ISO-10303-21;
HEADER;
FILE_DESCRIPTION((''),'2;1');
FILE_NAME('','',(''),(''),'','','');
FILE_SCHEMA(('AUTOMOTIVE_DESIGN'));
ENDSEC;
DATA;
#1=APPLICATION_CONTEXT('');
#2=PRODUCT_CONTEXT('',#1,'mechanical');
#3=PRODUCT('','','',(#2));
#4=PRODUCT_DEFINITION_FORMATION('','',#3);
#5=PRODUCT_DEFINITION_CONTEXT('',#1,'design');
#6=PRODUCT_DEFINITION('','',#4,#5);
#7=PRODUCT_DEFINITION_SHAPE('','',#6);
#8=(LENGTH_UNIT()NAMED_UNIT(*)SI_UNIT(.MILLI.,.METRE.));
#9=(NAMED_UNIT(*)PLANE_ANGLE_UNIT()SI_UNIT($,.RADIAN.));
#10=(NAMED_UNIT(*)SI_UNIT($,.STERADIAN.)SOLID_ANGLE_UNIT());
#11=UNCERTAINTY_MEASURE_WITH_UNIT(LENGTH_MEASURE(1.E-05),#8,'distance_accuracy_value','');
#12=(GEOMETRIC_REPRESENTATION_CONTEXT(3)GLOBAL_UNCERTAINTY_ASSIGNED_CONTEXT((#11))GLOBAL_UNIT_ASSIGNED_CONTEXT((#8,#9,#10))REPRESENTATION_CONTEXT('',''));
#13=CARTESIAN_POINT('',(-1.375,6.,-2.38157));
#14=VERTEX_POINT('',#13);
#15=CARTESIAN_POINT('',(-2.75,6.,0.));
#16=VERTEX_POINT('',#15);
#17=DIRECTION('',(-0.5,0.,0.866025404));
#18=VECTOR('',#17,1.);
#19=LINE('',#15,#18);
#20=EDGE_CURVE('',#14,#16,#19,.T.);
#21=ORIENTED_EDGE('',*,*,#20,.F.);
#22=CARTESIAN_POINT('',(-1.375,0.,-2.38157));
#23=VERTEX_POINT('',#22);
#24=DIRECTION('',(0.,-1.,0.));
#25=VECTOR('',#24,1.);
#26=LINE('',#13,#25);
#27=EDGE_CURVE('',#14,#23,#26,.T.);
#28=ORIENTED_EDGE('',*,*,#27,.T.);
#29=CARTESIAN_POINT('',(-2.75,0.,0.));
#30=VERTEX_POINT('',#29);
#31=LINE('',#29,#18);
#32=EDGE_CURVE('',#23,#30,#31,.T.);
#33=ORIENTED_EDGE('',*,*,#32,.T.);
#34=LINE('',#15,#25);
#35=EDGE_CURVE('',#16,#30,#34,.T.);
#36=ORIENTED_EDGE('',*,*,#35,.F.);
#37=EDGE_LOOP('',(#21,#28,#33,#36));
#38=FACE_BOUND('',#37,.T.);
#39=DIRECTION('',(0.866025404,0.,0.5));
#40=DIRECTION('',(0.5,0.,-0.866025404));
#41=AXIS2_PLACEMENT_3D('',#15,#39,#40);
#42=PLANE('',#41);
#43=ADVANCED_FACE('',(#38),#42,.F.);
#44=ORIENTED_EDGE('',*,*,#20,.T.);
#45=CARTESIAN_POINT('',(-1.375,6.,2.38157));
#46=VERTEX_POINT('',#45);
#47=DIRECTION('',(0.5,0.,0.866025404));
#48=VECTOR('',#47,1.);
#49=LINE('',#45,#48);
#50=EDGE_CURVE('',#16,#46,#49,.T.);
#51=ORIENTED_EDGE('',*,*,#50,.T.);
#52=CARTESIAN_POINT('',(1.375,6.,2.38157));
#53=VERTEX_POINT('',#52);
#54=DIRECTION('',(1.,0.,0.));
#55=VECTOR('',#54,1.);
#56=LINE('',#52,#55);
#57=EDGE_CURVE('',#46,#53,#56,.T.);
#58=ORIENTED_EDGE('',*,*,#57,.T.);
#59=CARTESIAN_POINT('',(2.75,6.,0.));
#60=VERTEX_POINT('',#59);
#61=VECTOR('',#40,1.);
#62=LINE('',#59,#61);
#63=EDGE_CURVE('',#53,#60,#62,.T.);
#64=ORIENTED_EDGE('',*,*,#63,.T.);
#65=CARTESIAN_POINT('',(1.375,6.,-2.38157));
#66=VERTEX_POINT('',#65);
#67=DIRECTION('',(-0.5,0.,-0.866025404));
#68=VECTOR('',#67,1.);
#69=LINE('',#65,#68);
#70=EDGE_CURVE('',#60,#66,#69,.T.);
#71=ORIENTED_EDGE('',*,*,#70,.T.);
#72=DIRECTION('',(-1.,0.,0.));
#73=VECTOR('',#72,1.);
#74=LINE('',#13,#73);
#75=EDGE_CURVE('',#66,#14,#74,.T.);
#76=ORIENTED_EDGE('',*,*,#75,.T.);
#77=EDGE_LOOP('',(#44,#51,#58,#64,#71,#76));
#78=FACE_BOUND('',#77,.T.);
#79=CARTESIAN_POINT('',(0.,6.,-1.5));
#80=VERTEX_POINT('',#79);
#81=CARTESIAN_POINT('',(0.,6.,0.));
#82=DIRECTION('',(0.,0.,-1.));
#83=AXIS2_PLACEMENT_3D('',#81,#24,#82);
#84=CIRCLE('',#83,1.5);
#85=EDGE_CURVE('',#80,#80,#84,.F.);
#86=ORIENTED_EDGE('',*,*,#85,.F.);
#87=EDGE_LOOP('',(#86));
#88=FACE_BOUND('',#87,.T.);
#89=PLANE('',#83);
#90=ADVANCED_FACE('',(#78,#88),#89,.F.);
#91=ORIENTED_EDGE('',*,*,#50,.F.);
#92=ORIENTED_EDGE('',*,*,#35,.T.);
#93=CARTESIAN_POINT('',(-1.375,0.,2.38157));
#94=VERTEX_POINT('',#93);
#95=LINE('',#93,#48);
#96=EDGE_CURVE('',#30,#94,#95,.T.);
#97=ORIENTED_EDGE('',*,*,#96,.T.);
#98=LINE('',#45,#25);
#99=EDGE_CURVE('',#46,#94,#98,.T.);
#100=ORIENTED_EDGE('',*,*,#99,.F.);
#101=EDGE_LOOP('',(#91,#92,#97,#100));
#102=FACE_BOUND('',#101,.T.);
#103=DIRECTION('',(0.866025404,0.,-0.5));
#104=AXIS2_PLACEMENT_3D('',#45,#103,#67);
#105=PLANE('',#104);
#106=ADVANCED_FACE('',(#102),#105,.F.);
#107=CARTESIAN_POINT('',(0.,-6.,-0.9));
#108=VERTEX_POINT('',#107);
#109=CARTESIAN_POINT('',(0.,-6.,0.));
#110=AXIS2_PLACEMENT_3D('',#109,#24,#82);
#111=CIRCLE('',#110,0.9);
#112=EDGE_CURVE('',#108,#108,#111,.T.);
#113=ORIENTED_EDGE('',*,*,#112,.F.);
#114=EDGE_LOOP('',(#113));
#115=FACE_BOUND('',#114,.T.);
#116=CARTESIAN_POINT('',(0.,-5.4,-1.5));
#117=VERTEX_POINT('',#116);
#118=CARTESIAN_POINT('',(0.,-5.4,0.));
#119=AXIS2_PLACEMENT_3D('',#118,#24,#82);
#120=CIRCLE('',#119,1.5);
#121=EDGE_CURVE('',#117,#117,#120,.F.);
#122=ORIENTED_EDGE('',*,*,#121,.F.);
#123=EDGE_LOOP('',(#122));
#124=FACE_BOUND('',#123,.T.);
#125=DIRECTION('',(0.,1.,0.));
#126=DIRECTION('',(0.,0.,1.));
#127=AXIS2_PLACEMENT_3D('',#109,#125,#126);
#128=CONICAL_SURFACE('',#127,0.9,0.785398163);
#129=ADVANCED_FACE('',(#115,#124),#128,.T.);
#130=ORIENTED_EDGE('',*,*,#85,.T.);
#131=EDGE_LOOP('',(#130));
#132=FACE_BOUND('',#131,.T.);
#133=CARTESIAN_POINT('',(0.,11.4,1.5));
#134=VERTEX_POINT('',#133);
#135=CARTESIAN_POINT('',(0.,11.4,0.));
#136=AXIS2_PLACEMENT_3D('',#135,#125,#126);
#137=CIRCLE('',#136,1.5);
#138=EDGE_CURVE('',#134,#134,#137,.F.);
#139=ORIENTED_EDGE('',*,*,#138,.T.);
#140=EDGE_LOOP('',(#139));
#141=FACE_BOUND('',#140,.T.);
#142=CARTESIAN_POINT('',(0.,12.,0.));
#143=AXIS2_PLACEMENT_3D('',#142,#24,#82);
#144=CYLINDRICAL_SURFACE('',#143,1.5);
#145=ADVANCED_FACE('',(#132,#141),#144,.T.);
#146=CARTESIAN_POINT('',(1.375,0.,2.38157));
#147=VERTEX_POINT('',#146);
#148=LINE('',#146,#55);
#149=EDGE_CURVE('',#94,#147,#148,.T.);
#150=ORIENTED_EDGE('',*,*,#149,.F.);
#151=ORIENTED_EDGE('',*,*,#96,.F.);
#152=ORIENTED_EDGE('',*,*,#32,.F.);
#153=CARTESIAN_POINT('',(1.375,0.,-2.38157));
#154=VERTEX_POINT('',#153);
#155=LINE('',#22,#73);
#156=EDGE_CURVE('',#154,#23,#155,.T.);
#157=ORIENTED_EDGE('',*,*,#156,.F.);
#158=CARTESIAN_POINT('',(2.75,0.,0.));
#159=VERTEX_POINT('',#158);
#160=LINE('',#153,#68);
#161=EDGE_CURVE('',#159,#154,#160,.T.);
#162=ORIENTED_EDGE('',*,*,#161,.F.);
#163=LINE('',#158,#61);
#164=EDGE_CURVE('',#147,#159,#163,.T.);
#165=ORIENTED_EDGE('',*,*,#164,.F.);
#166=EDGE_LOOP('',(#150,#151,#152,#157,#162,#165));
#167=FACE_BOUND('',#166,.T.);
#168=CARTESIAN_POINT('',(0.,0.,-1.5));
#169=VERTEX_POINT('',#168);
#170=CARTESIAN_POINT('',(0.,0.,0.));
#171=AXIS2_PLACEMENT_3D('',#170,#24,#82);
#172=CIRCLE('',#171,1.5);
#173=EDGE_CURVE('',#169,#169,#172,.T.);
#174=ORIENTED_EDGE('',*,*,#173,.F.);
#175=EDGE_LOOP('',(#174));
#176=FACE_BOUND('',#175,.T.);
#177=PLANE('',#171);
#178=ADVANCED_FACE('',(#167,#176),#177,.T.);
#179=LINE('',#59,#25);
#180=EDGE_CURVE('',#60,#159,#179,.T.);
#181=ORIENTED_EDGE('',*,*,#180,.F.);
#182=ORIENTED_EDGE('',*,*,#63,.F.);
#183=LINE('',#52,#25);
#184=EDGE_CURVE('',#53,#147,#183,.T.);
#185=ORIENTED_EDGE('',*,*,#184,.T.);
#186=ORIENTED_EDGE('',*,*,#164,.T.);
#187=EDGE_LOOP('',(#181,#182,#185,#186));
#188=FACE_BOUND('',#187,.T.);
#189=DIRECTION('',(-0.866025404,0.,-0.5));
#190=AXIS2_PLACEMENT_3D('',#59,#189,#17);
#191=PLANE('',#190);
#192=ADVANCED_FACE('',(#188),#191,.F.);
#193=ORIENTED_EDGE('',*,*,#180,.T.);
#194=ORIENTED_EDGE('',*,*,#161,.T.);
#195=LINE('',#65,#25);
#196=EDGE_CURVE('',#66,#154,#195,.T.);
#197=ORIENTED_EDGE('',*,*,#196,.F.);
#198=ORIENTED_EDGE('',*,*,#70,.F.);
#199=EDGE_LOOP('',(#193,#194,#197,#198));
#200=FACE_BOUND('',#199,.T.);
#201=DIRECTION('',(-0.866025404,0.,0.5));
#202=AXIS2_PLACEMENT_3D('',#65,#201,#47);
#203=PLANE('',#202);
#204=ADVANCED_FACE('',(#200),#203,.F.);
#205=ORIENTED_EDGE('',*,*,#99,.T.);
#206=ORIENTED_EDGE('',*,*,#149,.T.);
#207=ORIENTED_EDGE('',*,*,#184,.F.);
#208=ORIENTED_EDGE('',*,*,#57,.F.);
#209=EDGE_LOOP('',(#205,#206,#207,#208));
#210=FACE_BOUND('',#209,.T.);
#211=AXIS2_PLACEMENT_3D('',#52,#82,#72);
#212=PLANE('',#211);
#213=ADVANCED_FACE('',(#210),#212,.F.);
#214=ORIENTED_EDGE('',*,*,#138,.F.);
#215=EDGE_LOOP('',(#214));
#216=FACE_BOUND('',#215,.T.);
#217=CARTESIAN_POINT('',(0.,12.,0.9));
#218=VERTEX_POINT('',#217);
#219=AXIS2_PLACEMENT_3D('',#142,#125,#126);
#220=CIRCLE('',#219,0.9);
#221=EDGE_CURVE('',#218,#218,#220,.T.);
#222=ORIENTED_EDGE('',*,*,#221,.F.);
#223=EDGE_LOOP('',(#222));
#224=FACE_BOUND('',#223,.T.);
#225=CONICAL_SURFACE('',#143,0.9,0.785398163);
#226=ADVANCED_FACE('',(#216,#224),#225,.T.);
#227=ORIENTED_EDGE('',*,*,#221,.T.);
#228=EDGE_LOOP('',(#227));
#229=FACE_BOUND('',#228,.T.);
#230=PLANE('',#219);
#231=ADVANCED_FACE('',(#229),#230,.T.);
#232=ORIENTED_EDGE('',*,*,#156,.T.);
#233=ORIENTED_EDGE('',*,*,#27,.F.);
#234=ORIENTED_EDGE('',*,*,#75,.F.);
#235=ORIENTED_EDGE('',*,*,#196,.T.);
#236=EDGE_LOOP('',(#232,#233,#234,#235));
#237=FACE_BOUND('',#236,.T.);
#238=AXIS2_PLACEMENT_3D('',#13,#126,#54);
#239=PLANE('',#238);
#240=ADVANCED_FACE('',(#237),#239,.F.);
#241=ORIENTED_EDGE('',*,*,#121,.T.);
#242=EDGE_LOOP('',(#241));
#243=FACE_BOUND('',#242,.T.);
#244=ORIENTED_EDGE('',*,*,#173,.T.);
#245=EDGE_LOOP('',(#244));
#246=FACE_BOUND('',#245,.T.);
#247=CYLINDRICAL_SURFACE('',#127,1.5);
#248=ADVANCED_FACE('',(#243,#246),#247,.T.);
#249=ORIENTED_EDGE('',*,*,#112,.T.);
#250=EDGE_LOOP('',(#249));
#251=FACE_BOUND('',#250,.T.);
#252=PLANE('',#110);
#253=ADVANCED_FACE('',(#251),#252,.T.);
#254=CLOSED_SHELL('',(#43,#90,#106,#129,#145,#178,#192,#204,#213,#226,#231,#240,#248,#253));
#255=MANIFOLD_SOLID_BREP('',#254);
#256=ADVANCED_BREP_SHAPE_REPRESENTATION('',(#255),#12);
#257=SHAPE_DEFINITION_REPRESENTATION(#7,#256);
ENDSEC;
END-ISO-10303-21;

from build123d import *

# Parameters (mm, degrees)
EXTRUDE_1_DEPTH = 6
SKETCH_3_R      = 1.5
EXTRUDE_2_DEPTH = 6
EXTRUDE_START   = 6
SKETCH_4_R      = 1.5
EXTRUDE_3_DEPTH = 6
CHAMFER_1_SIZE  = 0.6


with BuildPart() as part:
    # Эскиз1 → Бобышка-Вытянуть1 (new body)
    with BuildSketch(Plane(origin=(0, 0, 0), x_dir=(1, 0, 0), z_dir=(0, 1, 0))):
        Polygon((-2.75, 0), (-1.375, 2.38156986), (1.375, 2.38156986), (2.75, 0), (1.375, -2.38156986), (-1.375, -2.38156986), align=None)
    extrude(amount=EXTRUDE_1_DEPTH)

    # Эскиз3 → Бобышка-Вытянуть2 (add)
    with BuildSketch(Plane(origin=(0, 6, 0), x_dir=(1, 0, 0), z_dir=(0, 1, 0))):
        with Locations(Location((0, 0, 0), (0, 0, 90))):
            Circle(SKETCH_3_R)
    extrude(amount=EXTRUDE_2_DEPTH)

    # Эскиз4 → Бобышка-Вытянуть3 (add)
    with BuildSketch(Plane.XZ.offset(EXTRUDE_START)):
        with Locations(Location((0, 0, 0), (0, 0, 270))):
            Circle(SKETCH_4_R)
    extrude(amount=-EXTRUDE_3_DEPTH)

    # Фаска1
    chamfer_1_edges = [part.edges().sort_by_distance(p)[0] for p in [
        (0, 12, 1.5),
        (0, -6, 1.5),
    ]]
    chamfer(chamfer_1_edges, length=CHAMFER_1_SIZE)


solid = part.part
